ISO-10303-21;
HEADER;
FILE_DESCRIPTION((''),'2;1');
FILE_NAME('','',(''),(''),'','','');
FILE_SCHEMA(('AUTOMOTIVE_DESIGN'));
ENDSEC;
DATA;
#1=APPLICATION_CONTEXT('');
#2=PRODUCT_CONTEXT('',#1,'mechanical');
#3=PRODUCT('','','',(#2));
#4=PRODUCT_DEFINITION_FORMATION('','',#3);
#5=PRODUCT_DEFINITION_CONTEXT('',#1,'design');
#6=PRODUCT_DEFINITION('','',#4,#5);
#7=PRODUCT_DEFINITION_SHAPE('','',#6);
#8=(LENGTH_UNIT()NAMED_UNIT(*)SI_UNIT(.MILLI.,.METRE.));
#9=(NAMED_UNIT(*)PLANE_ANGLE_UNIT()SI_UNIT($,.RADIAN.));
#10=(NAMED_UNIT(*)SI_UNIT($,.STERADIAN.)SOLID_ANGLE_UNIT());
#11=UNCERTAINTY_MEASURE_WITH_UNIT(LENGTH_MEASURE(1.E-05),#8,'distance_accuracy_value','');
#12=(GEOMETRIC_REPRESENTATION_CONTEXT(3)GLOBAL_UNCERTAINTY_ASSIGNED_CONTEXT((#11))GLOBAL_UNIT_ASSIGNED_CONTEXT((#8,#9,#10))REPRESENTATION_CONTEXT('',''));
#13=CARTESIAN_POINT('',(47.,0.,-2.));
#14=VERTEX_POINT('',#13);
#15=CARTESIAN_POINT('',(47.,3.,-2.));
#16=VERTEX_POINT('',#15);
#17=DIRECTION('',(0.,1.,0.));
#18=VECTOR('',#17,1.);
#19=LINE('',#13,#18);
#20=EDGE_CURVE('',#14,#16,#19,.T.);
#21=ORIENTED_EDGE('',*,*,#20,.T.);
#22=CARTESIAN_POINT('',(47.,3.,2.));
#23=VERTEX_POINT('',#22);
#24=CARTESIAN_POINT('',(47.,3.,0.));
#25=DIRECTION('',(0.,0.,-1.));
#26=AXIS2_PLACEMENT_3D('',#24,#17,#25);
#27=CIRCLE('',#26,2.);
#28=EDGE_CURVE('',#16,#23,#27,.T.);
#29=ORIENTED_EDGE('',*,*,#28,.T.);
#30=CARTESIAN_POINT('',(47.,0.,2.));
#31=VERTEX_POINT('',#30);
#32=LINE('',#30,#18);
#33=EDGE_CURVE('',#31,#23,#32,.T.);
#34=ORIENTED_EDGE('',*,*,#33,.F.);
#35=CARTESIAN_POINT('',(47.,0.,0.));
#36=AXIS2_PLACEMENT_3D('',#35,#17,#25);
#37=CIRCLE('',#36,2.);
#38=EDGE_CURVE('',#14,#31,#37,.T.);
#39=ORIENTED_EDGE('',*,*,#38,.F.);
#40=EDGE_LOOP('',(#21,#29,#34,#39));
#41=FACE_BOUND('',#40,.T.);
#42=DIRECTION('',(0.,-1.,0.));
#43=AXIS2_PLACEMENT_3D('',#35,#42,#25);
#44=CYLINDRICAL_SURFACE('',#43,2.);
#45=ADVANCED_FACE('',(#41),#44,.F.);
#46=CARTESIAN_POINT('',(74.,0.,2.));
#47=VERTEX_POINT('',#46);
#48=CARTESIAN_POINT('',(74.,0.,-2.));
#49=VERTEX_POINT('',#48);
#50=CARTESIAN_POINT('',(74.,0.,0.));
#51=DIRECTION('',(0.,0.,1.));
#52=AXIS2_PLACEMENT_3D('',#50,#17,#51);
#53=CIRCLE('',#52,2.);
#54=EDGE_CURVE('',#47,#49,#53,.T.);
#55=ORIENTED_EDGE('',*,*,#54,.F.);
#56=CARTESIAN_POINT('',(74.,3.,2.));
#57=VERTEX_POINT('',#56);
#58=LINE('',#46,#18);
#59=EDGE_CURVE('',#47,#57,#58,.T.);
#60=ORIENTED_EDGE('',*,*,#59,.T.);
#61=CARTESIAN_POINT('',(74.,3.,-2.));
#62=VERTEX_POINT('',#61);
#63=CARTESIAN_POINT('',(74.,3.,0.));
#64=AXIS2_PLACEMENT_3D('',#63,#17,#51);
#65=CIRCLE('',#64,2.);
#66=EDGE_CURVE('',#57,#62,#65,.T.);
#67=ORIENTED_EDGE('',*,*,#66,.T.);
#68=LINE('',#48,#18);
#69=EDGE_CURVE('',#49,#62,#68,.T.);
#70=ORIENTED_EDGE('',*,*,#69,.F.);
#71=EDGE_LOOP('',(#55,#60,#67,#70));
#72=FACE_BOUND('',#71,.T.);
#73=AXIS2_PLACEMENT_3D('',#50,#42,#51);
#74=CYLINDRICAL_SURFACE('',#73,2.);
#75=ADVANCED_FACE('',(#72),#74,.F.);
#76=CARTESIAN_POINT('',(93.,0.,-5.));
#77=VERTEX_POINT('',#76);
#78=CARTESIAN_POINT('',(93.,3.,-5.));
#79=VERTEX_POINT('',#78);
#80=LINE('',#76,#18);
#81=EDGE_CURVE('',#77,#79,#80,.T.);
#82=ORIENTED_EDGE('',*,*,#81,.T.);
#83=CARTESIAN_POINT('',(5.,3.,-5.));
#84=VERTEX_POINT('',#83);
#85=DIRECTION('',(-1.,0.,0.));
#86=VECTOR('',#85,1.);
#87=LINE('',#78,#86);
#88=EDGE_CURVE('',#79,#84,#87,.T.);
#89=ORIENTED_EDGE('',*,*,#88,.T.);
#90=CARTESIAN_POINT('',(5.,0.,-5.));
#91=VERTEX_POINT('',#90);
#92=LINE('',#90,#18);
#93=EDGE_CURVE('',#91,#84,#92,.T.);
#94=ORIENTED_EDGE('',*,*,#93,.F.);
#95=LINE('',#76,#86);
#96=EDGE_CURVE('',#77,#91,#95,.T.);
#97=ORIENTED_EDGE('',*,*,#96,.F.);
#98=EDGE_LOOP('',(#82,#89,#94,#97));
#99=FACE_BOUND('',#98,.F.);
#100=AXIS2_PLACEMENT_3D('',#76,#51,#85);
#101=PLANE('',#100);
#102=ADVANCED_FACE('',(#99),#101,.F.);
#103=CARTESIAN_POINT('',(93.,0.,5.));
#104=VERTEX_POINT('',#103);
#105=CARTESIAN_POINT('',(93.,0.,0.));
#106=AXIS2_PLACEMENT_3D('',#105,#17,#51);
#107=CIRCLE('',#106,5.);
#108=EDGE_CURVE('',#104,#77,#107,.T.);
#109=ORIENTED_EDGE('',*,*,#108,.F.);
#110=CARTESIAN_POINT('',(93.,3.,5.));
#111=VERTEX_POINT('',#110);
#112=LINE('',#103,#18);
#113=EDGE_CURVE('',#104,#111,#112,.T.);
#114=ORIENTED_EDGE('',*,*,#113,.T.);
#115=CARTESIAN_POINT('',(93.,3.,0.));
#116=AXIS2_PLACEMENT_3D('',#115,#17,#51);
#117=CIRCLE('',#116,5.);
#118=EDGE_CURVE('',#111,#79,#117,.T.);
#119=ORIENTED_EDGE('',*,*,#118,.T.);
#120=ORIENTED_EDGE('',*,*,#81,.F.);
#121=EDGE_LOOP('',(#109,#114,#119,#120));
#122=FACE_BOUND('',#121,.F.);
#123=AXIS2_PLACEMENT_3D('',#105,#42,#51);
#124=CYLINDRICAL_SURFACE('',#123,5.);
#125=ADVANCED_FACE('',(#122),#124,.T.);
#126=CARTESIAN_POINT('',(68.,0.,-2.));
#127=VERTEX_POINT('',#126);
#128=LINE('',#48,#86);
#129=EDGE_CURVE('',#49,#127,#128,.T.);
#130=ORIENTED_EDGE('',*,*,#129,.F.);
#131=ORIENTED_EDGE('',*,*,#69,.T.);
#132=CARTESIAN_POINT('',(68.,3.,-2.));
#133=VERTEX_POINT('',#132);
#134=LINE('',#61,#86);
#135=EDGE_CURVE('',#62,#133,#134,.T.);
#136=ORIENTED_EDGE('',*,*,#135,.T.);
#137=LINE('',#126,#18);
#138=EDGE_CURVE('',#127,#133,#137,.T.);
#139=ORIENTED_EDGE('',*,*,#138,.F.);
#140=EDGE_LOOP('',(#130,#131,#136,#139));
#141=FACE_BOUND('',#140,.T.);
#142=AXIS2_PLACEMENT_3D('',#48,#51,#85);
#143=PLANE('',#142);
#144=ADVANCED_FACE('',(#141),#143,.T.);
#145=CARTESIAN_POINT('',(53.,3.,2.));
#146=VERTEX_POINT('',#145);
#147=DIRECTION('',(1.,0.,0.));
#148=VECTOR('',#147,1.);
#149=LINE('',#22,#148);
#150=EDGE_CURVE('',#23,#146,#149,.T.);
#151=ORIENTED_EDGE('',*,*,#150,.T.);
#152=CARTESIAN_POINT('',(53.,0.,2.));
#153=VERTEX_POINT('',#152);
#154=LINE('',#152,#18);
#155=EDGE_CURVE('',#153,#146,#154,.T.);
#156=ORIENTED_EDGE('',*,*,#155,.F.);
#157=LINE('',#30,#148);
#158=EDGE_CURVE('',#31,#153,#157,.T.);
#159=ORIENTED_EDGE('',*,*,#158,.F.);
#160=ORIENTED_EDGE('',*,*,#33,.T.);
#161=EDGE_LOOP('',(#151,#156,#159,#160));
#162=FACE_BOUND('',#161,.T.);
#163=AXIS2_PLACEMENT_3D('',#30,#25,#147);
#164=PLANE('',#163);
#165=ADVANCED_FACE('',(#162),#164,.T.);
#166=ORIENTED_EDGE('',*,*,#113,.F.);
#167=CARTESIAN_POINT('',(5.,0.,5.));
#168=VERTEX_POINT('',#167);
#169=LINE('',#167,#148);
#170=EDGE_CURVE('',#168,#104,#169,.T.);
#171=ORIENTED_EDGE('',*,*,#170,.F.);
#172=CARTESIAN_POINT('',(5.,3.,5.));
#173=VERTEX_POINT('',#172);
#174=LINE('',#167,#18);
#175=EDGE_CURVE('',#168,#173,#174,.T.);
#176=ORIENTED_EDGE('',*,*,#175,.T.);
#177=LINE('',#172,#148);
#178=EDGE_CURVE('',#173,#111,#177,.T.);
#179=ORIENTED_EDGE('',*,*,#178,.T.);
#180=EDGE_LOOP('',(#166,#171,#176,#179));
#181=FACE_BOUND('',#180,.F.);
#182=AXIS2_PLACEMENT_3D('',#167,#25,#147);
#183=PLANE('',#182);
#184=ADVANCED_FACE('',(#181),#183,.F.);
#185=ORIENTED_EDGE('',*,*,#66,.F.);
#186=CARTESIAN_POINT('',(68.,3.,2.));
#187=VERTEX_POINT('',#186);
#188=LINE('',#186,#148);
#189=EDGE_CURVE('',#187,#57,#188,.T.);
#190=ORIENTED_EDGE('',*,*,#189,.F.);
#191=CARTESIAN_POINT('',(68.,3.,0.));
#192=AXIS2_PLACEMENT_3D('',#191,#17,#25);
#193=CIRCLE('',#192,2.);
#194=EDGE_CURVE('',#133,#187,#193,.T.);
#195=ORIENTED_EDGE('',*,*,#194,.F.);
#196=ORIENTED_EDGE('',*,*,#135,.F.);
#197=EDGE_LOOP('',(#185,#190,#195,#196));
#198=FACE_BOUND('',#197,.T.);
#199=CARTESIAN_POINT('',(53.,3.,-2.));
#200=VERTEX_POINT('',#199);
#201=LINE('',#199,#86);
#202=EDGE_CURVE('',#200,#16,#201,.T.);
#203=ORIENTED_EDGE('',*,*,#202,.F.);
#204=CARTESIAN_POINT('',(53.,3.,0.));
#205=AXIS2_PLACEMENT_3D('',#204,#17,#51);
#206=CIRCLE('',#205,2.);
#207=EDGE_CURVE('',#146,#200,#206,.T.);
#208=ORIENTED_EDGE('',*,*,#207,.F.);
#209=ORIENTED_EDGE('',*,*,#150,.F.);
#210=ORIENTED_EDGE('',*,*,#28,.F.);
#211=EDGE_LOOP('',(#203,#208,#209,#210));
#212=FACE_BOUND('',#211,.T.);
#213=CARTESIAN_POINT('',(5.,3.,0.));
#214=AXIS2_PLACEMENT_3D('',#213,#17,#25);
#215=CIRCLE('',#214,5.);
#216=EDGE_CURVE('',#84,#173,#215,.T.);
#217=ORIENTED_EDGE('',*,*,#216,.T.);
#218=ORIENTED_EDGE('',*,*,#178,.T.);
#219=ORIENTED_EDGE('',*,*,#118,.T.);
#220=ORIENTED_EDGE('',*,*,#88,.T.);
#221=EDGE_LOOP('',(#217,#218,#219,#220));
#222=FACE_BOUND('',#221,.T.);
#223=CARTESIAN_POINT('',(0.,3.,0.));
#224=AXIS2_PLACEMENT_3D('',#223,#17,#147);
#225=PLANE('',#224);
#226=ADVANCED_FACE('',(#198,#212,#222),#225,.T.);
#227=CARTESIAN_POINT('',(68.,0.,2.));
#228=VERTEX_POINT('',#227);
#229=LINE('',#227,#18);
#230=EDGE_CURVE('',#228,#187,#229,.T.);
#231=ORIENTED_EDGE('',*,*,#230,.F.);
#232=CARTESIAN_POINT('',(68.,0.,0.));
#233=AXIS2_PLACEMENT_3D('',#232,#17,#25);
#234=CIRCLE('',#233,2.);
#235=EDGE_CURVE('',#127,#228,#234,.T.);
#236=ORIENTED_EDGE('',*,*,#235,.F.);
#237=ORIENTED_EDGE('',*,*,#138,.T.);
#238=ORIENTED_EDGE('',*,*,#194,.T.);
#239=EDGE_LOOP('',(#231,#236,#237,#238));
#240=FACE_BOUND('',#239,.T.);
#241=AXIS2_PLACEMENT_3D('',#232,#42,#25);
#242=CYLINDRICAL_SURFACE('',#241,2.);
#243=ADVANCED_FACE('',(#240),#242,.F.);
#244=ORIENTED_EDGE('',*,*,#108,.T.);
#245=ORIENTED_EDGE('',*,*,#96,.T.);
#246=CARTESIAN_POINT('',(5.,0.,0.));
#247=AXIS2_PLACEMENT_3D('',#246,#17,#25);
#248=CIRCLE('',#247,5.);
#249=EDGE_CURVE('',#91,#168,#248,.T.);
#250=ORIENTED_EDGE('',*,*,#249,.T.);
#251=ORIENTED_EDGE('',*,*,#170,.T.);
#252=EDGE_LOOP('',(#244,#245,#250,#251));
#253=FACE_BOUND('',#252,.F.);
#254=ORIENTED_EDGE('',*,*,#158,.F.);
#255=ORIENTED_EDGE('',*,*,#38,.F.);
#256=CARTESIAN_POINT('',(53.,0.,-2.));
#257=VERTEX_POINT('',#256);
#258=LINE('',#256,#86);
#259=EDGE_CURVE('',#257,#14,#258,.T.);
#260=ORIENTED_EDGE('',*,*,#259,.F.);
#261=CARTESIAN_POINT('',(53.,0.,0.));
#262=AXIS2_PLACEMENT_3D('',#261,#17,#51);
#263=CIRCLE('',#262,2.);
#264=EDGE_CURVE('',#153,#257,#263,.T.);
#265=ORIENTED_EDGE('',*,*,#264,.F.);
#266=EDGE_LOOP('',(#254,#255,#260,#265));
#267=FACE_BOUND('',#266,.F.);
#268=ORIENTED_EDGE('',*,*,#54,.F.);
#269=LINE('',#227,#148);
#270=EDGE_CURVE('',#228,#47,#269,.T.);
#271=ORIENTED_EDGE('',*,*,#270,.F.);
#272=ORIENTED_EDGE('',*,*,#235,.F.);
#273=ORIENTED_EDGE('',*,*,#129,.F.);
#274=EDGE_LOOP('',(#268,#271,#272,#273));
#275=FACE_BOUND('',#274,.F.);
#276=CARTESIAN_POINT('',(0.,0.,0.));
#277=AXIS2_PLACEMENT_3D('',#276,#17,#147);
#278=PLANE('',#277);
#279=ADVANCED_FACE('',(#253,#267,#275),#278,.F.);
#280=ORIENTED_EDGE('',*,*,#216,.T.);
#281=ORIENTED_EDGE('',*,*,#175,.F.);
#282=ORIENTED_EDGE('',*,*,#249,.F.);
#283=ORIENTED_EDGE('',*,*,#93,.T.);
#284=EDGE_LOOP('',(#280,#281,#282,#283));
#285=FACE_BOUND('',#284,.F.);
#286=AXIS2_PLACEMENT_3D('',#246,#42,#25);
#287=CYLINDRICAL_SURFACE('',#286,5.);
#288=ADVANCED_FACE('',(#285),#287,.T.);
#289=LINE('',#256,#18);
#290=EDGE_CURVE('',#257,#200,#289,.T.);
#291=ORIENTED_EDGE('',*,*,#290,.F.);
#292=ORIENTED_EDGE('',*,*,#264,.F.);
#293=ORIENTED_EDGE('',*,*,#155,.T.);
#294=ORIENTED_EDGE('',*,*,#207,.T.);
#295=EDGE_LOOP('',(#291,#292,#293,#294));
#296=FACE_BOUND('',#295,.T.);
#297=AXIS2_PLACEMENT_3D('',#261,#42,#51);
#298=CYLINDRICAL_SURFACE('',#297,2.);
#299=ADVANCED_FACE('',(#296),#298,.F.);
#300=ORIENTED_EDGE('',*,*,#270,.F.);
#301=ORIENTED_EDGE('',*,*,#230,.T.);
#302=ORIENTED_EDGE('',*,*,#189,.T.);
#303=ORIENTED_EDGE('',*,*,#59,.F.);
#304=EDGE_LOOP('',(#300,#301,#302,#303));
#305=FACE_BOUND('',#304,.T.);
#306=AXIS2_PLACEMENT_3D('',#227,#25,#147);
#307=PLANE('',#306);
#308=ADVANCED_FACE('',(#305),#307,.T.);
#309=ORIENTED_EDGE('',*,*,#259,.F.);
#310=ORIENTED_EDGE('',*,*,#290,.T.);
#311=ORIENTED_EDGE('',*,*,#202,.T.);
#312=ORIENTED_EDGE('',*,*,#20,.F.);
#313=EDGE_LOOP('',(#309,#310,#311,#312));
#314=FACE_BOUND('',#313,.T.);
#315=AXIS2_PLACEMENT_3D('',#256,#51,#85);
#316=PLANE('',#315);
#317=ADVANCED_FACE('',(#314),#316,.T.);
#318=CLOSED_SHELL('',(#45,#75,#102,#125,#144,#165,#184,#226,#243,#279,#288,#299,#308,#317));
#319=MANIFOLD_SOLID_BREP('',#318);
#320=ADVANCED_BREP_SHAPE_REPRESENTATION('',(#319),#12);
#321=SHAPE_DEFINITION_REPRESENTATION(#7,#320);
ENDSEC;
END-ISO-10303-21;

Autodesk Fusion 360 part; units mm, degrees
sketch "Sketch1" plane through (0, 0, 0) normal (0, 1, 0) x (1, 0, 0)
  line L0 (5, -5) -> (93, -5)
  arc A0 (93, -5) -> (93, 5) centre (93, 0) ccw
  line L1 (93, 5) -> (5, 5)
  arc A1 (5, 5) -> (5, -5) centre (5, 0) ccw
  line L2 (49, 5) -> (49, -5) construction
  line L3 (50, 0) -> (71, 0) construction
  line L4 (53, 2) -> (47, 2)
  arc A2 (47, 2) -> (47, -2) centre (47, 0) ccw
  line L5 (47, -2) -> (53, -2)
  arc A3 (53, -2) -> (53, 2) centre (53, 0) ccw
  line L6 (53, 0) -> (47, 0) construction
  line L7 (68, -2) -> (74, -2)
  arc A4 (74, -2) -> (74, 2) centre (74, 0) ccw
  line L8 (74, 2) -> (68, 2)
  arc A5 (68, 2) -> (68, -2) centre (68, 0) ccw
  line L9 (68, 0) -> (74, 0) construction
  point P0 (98, 0)
  point P1 (50, 0)
  point P2 (71, 0)
  point P3 (49, 0)
  dimension "d1" = 10
  dimension "d3" = 98
  dimension "d4" = 4
  dimension "d5" = 6
  dimension "d6" = 6
  dimension "d7" = 21
  dimension "d8" = 1
extrude "Extrude1" add sketch "Sketch1" along normal blind 3
